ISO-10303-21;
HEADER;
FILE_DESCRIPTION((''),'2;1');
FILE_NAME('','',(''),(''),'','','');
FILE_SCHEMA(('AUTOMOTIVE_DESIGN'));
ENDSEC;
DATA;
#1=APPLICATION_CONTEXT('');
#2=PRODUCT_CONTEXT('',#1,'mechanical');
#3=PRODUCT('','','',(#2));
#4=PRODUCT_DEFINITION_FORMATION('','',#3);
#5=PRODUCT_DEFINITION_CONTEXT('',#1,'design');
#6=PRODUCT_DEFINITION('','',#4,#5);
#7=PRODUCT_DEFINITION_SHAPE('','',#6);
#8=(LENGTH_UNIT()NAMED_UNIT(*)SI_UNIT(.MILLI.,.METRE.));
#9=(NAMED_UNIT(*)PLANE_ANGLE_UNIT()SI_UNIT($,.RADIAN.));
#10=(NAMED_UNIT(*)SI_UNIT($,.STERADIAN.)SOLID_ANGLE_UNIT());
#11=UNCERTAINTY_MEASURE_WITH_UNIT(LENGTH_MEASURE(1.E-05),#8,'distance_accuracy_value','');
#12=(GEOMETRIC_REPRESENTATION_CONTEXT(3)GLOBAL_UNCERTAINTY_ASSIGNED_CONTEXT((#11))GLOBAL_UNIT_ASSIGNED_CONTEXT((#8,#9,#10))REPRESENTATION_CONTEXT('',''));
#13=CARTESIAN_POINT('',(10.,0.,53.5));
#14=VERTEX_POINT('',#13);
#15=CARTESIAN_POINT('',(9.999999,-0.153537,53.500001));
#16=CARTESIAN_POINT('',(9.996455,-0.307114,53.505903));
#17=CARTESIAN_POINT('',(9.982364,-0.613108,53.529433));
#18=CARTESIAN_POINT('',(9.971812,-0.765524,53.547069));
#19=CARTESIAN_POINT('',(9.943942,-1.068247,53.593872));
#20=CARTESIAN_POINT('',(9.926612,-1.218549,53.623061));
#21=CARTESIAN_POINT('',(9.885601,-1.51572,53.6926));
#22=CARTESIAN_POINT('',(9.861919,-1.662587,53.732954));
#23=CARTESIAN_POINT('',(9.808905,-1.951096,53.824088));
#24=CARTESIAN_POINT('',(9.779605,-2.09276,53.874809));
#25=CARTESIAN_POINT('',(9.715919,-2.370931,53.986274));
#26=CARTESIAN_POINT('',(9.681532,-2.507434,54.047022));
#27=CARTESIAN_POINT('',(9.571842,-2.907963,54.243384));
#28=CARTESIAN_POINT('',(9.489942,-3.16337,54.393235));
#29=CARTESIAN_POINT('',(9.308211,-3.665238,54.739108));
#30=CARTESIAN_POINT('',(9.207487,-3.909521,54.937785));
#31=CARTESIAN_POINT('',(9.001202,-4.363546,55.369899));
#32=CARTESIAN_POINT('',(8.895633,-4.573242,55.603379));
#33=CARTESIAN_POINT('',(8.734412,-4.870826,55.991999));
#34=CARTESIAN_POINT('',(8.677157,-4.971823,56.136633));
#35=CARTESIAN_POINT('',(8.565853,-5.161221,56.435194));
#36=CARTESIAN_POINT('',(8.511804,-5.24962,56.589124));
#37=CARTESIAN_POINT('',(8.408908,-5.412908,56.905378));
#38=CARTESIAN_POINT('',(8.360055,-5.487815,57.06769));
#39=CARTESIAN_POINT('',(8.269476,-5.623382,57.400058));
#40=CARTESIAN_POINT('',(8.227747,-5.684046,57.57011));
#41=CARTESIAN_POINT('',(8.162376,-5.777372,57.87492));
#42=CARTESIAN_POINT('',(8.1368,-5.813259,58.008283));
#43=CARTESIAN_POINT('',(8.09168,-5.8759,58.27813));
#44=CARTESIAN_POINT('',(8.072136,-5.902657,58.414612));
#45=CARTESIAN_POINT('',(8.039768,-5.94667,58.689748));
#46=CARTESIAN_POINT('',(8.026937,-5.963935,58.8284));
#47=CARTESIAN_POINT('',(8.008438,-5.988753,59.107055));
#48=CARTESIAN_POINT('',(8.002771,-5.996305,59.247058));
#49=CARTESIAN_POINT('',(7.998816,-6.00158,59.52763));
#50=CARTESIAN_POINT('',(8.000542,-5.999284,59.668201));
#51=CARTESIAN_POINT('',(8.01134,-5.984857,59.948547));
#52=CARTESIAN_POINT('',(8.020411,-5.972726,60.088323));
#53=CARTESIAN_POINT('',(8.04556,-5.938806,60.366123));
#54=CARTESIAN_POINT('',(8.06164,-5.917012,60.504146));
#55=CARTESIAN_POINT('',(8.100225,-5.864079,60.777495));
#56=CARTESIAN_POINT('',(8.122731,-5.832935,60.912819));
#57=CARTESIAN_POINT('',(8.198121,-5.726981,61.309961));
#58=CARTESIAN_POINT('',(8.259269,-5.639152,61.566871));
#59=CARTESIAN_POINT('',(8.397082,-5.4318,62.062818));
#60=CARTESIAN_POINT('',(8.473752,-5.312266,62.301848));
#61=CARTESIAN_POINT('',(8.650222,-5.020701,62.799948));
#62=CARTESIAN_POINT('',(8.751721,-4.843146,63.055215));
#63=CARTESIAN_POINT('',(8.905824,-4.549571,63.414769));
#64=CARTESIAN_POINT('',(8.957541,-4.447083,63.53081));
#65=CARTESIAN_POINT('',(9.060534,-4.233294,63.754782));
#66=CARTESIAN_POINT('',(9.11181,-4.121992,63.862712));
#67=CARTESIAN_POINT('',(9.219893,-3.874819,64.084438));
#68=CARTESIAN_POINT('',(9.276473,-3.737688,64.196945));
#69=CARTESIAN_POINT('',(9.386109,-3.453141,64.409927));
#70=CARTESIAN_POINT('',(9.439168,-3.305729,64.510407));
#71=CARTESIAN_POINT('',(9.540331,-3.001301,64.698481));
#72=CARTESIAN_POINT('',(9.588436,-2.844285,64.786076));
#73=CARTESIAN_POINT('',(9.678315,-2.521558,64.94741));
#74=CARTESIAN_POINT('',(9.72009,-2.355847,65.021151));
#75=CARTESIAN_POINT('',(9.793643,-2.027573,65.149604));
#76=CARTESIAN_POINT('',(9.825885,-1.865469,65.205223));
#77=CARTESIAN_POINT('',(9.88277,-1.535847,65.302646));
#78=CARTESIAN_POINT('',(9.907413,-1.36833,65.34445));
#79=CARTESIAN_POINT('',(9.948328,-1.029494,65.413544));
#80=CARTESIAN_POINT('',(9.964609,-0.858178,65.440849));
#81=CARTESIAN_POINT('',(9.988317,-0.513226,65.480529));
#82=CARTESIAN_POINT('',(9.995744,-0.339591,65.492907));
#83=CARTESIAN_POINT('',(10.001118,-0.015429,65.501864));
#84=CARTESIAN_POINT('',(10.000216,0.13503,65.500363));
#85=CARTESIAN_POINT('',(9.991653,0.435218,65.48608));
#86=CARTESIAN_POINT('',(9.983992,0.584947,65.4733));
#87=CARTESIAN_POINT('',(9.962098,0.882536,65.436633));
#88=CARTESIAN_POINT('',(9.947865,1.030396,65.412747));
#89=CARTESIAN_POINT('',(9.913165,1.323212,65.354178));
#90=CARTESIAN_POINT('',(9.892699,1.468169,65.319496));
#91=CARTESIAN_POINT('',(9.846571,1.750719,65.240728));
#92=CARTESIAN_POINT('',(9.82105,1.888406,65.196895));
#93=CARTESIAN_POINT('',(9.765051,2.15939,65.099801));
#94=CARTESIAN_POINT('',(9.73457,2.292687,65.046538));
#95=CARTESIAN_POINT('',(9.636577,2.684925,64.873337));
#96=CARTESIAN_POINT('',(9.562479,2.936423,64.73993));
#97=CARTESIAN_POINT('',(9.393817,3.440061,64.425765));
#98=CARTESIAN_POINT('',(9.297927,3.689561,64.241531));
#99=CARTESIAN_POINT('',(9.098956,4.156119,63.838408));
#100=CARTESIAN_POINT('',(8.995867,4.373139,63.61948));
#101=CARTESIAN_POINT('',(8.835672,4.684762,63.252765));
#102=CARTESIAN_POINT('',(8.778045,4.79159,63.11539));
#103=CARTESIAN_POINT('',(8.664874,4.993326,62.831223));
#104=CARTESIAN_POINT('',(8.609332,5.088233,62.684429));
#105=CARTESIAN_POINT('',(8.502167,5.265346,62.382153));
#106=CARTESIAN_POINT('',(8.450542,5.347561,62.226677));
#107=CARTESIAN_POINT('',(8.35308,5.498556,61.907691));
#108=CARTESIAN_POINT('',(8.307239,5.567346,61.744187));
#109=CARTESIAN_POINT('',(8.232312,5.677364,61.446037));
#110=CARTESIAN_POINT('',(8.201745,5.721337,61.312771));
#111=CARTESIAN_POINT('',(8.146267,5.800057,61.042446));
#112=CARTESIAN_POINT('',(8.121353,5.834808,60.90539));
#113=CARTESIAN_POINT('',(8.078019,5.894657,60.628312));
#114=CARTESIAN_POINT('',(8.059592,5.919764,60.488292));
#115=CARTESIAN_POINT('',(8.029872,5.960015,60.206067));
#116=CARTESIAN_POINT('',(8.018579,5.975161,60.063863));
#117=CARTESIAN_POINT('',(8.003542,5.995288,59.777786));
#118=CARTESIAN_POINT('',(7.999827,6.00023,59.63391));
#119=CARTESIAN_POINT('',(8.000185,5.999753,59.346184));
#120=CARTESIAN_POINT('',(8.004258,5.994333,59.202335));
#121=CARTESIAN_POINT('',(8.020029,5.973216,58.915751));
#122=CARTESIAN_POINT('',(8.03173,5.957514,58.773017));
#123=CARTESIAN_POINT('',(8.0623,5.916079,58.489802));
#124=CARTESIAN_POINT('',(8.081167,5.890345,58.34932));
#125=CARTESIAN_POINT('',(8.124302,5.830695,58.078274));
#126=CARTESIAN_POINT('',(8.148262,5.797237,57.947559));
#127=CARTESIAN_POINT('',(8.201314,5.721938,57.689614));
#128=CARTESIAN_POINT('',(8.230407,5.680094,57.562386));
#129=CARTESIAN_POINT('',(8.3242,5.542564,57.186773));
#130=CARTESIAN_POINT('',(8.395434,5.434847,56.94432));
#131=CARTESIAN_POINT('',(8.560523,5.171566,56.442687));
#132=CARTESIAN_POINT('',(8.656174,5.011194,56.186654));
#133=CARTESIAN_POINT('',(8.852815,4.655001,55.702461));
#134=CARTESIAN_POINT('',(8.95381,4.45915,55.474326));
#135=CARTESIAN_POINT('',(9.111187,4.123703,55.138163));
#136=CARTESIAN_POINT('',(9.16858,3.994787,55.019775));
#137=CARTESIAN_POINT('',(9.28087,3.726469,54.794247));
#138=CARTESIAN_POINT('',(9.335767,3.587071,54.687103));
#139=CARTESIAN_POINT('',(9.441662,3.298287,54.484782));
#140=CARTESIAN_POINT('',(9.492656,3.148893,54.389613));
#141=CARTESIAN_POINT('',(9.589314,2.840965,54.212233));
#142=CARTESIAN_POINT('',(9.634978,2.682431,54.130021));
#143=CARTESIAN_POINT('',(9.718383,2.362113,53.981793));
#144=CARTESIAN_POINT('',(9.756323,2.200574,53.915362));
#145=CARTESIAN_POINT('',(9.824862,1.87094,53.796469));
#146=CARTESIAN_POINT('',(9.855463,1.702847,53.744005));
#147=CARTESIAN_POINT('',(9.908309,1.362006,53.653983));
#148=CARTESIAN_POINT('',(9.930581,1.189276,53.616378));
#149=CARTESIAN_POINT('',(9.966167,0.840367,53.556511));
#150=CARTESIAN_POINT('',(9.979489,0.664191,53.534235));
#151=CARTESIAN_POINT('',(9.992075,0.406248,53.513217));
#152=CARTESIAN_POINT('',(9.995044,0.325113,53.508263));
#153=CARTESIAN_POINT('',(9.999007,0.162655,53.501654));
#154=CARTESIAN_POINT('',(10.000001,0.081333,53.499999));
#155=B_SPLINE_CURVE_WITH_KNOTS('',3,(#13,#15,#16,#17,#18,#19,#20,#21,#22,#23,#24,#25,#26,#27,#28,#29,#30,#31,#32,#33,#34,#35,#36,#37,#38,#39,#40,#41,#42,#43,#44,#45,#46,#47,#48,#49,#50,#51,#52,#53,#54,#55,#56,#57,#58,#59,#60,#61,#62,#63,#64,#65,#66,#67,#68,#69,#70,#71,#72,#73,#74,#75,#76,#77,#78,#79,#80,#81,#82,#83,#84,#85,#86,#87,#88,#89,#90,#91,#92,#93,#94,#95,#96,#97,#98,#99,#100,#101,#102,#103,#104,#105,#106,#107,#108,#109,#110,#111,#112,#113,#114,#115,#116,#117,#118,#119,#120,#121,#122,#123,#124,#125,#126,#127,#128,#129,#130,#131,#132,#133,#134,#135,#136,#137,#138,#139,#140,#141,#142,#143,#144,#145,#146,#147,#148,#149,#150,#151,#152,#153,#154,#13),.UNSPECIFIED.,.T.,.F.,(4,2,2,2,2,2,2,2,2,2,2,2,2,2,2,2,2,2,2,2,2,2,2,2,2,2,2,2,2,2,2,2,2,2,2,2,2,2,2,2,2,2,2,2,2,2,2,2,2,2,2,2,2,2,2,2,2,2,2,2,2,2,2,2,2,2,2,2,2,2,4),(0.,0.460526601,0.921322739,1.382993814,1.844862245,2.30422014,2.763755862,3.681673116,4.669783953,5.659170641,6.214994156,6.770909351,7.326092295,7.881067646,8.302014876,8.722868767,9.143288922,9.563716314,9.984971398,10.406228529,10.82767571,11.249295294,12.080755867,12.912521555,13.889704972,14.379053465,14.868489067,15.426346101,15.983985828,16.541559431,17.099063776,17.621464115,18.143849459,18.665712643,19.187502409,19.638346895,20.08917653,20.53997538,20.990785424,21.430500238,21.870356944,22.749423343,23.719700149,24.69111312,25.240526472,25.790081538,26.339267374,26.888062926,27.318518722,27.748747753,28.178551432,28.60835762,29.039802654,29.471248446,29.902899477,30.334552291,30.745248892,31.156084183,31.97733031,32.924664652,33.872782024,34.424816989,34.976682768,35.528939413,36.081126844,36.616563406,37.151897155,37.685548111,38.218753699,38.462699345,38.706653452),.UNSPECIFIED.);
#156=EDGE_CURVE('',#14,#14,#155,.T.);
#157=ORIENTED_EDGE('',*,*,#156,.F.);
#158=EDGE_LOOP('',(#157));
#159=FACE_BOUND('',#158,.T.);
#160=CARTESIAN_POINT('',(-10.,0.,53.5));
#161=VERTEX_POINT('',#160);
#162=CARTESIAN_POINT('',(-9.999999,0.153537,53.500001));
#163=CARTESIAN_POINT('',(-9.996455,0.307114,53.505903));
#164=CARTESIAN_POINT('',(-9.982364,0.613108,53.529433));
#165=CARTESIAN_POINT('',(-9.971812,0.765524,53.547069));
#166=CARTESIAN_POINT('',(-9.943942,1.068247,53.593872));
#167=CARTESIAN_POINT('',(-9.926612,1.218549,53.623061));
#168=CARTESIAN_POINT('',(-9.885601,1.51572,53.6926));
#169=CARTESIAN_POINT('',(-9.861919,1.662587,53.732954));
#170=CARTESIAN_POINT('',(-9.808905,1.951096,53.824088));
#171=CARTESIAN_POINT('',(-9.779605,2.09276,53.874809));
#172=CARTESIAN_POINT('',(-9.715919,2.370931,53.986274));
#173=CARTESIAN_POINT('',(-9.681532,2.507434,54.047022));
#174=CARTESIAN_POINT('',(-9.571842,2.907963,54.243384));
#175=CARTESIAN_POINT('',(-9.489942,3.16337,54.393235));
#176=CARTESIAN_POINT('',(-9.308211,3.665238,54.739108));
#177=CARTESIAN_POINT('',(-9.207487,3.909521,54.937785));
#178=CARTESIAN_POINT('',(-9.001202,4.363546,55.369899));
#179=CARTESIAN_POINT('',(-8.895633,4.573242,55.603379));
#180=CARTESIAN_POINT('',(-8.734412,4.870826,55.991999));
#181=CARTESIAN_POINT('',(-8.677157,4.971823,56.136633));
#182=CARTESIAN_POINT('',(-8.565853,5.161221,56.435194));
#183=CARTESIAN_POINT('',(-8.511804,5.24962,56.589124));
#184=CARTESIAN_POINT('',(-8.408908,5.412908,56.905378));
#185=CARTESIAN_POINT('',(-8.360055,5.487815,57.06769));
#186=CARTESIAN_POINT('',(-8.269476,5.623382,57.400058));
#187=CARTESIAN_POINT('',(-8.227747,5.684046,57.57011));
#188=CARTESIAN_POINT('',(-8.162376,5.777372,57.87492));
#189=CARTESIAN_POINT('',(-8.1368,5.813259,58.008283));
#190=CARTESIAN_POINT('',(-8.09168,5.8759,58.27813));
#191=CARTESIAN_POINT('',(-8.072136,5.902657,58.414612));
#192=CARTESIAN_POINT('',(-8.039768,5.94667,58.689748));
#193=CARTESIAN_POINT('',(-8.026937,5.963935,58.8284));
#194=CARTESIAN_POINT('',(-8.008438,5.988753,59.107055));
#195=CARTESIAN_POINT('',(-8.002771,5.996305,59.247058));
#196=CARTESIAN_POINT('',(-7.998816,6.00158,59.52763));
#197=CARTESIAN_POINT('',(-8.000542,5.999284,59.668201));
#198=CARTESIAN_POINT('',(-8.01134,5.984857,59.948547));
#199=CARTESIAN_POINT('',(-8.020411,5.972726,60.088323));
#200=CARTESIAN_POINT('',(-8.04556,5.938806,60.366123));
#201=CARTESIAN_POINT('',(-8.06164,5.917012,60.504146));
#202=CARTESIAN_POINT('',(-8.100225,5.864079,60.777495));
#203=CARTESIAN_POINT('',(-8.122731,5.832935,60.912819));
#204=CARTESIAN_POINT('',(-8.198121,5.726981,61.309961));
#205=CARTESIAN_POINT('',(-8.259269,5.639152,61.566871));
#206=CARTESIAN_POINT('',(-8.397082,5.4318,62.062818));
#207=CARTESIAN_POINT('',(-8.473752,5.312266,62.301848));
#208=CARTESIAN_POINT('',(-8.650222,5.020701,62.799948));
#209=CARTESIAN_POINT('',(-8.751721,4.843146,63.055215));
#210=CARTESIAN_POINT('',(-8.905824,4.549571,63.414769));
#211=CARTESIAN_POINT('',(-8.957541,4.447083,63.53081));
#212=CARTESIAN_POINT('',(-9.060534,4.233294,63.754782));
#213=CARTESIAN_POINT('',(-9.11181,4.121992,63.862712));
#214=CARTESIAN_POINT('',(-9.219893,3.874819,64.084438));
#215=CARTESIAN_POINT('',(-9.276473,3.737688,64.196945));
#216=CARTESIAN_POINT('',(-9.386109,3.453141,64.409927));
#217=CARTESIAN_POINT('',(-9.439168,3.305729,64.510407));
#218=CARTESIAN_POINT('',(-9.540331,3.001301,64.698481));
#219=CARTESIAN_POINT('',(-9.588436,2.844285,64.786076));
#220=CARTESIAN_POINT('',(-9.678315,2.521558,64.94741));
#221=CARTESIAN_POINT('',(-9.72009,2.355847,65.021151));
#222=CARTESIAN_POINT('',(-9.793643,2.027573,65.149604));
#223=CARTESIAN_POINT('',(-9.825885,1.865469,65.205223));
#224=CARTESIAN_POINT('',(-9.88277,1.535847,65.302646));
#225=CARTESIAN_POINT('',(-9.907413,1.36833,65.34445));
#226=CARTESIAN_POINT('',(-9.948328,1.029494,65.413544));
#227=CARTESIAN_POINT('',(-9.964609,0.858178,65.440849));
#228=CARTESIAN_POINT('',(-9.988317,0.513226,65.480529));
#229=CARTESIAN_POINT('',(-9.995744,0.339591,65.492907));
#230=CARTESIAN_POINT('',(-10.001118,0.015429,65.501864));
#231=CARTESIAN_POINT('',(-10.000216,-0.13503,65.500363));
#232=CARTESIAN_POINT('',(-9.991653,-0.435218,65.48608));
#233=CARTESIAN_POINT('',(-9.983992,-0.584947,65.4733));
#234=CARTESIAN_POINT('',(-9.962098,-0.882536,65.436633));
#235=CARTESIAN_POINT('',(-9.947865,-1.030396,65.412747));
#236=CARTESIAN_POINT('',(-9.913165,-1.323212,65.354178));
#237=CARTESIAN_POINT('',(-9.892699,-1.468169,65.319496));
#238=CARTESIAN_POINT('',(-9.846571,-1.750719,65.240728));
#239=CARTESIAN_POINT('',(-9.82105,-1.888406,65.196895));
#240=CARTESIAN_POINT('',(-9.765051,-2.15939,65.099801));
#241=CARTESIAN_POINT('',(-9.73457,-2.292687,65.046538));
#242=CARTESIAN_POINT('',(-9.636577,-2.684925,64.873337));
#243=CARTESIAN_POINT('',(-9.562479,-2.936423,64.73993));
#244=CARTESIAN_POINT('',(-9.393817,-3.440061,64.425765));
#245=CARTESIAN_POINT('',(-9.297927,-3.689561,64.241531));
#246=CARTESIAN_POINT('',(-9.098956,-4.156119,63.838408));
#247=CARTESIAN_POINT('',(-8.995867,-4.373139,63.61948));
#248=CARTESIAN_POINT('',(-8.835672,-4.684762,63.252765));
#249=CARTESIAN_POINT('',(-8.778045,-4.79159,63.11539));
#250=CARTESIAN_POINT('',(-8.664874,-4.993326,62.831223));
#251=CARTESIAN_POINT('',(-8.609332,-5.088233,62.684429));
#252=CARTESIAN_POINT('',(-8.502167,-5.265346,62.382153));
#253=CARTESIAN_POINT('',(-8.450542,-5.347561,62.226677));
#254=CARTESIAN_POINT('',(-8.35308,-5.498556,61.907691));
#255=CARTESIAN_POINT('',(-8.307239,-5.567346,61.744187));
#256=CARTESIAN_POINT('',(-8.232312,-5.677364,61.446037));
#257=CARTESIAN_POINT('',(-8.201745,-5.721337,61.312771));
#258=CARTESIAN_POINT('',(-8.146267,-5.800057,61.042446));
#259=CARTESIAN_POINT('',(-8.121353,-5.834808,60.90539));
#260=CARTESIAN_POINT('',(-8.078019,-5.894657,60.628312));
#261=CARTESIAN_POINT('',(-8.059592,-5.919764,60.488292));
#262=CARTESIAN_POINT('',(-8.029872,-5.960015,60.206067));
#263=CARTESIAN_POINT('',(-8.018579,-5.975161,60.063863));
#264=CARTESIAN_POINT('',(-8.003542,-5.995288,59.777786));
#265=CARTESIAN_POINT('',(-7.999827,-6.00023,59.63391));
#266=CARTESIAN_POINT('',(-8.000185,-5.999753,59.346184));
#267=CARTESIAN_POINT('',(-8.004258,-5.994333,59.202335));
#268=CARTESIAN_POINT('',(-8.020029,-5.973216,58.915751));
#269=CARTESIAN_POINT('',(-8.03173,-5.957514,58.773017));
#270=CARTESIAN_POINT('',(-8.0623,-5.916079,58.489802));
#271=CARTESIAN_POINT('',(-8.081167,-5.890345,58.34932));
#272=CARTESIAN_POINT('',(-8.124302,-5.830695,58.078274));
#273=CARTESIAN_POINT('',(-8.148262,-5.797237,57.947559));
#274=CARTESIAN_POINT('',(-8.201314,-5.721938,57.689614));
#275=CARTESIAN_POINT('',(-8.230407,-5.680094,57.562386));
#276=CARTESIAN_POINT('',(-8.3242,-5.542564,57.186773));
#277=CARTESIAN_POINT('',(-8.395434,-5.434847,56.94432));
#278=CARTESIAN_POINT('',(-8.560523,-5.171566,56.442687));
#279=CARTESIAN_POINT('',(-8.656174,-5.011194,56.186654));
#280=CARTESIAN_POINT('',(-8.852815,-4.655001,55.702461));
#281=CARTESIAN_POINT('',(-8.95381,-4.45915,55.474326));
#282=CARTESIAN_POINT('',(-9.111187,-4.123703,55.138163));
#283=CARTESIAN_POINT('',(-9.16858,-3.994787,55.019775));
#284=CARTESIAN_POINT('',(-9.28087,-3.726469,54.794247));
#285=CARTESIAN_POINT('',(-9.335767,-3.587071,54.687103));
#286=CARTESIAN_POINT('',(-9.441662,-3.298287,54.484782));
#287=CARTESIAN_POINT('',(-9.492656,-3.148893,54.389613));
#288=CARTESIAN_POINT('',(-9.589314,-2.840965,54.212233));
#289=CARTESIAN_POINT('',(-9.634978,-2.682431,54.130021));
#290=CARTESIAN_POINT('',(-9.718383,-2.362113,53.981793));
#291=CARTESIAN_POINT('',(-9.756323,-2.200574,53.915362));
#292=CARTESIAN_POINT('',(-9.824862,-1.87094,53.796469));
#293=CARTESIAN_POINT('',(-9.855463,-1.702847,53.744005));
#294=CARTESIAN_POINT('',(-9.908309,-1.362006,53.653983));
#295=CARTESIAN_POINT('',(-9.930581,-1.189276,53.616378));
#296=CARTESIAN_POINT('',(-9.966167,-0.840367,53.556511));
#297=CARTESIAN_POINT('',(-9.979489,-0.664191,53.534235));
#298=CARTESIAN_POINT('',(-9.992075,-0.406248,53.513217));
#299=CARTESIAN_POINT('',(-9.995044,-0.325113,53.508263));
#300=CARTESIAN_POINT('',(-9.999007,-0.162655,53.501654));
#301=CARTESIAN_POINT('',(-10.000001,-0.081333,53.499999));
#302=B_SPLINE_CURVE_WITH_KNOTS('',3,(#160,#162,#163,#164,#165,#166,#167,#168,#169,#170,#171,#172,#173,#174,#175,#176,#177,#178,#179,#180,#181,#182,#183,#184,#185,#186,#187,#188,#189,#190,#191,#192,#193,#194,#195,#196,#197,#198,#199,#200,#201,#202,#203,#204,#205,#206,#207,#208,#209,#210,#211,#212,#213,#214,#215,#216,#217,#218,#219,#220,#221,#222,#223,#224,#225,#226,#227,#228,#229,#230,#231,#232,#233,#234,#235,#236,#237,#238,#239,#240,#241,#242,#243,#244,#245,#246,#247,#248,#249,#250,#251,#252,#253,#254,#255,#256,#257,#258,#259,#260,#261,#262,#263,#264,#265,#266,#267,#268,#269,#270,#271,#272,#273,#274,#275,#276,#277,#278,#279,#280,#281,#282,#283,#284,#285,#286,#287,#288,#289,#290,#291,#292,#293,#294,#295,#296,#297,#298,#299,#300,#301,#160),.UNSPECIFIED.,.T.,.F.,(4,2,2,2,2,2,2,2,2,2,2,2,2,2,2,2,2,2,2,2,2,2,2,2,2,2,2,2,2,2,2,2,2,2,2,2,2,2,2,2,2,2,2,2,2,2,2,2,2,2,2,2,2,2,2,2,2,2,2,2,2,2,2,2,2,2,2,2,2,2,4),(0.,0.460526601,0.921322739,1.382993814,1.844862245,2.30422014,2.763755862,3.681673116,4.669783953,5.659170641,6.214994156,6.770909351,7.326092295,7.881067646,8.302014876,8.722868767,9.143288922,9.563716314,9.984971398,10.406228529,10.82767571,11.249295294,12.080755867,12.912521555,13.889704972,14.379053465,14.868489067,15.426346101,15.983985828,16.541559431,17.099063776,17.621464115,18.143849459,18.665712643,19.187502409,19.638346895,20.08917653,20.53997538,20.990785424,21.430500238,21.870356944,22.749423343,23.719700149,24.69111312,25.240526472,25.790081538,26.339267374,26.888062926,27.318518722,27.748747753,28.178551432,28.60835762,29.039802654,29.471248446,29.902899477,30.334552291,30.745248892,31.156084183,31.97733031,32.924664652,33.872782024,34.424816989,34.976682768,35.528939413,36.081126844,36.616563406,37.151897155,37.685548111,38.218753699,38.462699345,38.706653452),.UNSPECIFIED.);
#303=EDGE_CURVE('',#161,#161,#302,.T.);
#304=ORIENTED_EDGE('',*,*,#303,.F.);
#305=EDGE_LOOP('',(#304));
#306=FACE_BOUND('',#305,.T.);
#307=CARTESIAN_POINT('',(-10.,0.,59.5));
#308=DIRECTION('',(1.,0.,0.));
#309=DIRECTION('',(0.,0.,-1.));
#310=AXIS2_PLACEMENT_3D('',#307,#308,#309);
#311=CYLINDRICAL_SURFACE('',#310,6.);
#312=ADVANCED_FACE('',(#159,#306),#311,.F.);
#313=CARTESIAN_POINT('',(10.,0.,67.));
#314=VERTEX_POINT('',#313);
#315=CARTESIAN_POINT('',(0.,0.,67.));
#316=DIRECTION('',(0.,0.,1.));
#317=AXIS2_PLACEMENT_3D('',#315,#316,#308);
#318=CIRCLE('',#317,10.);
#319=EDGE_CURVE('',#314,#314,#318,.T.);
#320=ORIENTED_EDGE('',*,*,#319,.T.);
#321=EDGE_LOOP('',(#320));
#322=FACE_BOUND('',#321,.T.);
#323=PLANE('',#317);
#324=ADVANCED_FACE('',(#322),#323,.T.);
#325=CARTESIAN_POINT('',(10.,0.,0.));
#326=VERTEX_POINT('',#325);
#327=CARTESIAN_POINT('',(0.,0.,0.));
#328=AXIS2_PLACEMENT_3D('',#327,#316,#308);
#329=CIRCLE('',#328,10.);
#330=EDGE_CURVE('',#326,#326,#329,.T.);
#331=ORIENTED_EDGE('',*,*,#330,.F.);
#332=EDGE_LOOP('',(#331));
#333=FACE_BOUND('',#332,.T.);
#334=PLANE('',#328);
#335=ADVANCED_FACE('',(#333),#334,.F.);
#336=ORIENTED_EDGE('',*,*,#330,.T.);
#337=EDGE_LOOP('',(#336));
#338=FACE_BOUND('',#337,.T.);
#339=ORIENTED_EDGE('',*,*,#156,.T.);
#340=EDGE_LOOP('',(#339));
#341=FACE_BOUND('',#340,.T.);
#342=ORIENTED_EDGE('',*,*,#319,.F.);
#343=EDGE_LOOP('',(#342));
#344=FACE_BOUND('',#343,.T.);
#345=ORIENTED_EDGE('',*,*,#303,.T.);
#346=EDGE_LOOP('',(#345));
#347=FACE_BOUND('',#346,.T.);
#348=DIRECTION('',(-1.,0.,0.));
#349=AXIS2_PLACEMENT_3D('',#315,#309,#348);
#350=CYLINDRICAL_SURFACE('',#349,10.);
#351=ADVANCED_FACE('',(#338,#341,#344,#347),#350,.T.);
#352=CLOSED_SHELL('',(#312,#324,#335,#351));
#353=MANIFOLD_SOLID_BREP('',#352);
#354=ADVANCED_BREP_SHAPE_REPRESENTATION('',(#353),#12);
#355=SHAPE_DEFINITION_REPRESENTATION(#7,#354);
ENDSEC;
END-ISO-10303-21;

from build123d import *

# Parameters (mm, degrees)
ESBO_O1_R                = 10
RESSALTO_EXTRUS_O1_DEPTH = 67
ESBO_O3_R                = 6
CORTE_EXTRUS_O1_DEPTH    = 10


with BuildPart() as part:
    # Esboço1 → Ressalto-extrusão1 (new body)
    with BuildSketch(Plane.XY):
        Circle(ESBO_O1_R)
    extrude(amount=RESSALTO_EXTRUS_O1_DEPTH)

    # Esboço3 → Corte-extrusão1 (cut, symmetric)
    with BuildSketch(Plane(origin=(0, 0, 0), x_dir=(0, 0, -1), z_dir=(1, 0, 0))):
        with Locations((-59.5, 0)):
            Circle(ESBO_O3_R)
    extrude(amount=CORTE_EXTRUS_O1_DEPTH, both=True, mode=Mode.SUBTRACT)


solid = part.part
